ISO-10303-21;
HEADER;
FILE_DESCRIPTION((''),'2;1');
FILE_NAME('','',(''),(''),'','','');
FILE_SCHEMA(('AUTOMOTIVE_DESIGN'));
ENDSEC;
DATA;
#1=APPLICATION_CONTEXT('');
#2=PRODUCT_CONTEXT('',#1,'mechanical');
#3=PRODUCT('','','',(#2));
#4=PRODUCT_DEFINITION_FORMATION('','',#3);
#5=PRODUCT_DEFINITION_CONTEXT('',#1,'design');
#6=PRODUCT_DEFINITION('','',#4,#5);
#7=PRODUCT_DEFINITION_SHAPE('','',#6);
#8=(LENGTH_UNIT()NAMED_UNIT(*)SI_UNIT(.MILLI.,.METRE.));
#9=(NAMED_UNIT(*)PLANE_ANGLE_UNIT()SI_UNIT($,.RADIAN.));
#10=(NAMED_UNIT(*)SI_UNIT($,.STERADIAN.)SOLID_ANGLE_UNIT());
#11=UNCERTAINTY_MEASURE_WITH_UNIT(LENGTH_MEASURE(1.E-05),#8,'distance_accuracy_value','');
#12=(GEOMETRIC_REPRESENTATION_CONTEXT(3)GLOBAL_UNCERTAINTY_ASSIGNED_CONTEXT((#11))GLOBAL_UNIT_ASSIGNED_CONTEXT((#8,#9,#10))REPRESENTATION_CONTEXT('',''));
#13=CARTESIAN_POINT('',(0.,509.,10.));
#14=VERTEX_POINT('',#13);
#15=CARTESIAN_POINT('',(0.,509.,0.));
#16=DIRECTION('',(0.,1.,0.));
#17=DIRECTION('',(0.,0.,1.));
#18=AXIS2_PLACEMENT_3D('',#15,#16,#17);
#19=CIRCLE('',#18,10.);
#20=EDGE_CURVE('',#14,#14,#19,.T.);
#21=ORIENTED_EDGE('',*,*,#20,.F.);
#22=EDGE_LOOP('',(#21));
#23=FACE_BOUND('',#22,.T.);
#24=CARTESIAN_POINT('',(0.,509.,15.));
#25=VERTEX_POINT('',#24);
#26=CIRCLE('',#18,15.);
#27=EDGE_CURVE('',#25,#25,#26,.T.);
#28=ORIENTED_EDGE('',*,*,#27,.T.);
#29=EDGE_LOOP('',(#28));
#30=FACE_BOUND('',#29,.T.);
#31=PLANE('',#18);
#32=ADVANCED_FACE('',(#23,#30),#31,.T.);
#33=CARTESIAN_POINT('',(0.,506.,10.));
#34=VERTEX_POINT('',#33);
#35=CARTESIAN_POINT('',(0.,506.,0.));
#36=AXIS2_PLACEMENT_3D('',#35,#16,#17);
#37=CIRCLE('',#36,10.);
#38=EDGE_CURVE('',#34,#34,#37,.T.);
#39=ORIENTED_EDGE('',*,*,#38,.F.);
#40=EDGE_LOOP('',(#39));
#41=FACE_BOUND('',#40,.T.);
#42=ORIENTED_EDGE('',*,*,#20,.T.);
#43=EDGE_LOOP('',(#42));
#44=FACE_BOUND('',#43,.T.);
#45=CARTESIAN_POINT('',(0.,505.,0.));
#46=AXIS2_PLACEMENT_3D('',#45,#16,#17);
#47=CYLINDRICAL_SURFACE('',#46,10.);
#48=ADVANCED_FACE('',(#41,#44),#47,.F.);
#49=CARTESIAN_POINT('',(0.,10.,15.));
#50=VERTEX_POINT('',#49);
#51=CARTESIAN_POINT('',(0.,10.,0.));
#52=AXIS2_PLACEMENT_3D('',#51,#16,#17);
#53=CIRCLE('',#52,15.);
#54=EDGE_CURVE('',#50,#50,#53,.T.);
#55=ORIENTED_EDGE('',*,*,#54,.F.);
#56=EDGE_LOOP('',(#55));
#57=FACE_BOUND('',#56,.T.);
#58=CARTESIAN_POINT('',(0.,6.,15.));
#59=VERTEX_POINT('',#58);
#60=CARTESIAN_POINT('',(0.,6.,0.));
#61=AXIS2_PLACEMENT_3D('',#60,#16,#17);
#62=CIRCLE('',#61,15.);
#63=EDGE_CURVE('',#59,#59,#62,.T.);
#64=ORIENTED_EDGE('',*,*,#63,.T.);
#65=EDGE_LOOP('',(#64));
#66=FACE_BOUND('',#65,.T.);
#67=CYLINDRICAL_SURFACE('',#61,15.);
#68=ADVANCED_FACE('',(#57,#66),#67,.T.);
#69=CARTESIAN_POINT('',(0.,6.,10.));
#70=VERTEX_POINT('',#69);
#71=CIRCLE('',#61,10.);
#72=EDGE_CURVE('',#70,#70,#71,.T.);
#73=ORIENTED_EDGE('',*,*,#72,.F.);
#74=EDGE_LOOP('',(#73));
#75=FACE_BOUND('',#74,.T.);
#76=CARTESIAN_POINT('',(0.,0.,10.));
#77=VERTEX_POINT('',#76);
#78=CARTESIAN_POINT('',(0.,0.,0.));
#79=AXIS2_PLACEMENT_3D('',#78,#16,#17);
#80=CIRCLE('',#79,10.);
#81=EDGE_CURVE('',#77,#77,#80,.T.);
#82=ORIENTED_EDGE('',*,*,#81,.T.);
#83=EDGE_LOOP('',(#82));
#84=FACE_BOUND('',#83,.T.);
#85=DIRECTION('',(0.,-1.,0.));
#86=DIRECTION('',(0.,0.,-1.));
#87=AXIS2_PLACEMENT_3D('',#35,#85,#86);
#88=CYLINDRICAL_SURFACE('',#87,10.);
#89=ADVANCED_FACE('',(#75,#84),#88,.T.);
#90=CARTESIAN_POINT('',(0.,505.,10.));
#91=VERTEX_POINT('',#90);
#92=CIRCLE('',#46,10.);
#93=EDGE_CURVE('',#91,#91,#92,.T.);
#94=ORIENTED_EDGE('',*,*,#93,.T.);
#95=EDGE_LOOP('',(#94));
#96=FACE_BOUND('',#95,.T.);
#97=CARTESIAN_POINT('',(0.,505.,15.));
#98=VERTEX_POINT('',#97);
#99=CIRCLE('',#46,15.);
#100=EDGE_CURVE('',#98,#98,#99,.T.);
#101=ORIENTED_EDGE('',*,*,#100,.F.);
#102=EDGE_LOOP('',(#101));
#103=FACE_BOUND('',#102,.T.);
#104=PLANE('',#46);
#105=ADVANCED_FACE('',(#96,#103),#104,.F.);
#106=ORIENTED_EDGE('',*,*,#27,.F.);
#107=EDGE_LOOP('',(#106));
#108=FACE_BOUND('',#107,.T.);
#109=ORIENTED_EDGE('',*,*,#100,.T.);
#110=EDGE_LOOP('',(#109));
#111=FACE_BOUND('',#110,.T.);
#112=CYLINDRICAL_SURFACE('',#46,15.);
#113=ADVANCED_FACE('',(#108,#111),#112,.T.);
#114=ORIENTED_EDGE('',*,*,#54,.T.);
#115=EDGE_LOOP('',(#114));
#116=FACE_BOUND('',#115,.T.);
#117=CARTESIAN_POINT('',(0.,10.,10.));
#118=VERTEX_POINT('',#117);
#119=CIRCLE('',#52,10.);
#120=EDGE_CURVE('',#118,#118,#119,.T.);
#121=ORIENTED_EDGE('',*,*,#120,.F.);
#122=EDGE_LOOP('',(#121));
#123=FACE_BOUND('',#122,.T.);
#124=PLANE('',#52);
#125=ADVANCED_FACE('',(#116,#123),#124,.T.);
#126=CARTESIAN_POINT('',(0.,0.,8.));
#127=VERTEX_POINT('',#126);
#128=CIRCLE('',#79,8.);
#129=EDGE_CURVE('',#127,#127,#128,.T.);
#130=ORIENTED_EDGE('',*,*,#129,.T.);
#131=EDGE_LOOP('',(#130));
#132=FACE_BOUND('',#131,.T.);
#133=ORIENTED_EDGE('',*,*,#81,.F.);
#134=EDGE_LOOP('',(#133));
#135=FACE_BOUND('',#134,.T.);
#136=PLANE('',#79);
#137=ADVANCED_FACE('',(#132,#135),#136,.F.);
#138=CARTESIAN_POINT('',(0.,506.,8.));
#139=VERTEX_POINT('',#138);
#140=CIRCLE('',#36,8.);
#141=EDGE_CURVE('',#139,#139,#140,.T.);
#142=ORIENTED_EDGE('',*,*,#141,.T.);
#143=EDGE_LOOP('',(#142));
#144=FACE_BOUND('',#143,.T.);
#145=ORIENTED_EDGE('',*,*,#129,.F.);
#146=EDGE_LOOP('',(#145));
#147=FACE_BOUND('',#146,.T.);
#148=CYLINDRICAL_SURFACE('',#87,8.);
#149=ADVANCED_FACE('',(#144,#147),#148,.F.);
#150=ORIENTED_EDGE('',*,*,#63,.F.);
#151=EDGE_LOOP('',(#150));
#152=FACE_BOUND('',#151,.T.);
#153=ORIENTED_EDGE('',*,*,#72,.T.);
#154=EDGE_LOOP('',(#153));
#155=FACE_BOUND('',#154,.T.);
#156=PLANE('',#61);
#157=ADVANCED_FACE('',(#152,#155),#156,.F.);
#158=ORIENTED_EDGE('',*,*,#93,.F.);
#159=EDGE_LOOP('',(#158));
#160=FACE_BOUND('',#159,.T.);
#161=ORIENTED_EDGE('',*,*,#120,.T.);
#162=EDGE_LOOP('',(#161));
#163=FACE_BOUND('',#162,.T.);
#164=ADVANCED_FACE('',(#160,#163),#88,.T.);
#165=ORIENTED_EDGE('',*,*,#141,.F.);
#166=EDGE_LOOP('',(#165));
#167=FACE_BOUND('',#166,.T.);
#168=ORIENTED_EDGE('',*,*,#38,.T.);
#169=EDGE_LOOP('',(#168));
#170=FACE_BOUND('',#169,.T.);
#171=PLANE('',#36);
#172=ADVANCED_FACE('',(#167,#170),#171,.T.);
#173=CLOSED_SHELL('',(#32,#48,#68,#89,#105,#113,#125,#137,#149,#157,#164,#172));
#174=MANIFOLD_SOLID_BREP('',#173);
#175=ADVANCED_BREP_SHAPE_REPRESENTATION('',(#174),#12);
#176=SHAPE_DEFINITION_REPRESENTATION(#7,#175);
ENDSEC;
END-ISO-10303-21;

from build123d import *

# Parameters (mm, degrees)
SKETCH1_R           = 10
BOSS_EXTRUDE1_DEPTH = 506
SHELL1_T            = -2
BOSS_EXTRUDE2_START = -1
SKETCH2_R           = 15
SKETCH2_R_2         = 10
BOSS_EXTRUDE2_DEPTH = 4
LPATTERN1_COUNT     = 2
LPATTERN1_PITCH     = 499


with BuildPart() as part:
    # Sketch1 → Boss-Extrude1 (new body)
    with BuildSketch(Plane(origin=(0, 0, 0), x_dir=(1, 0, 0), z_dir=(0, 1, 0))):
        with Locations(Location((0, 0, 0), (0, 0, 270))):
            Circle(SKETCH1_R)
    extrude(amount=BOSS_EXTRUDE1_DEPTH)

    # Shell1
    shell1_openings = [part.faces().sort_by_distance(p)[0] for p in [
        (0, 506, 0),
        (0, 0, 0),
    ]]
    offset(amount=SHELL1_T, openings=shell1_openings, kind=Kind.INTERSECTION)

    # Sketch2 → Boss-Extrude2 (add)
    with BuildSketch(Plane(origin=(0, 506, 0), x_dir=(1, 0, 0), z_dir=(0, 1, 0)).offset(BOSS_EXTRUDE2_START)):
        with Locations(Location((0, 0, 0), (0, 0, 270))):
            Circle(SKETCH2_R)
        with Locations(Location((0, 0, 0), (0, 0, 270))):
            Circle(SKETCH2_R_2, mode=Mode.SUBTRACT)
    boss_extrude2 = extrude(amount=BOSS_EXTRUDE2_DEPTH)

    # LPattern1: Boss-Extrude2 ×2
    with Locations(*[(0, -i * LPATTERN1_PITCH, 0) for i in range(1, LPATTERN1_COUNT)]):
        add(boss_extrude2)


solid = part.part
